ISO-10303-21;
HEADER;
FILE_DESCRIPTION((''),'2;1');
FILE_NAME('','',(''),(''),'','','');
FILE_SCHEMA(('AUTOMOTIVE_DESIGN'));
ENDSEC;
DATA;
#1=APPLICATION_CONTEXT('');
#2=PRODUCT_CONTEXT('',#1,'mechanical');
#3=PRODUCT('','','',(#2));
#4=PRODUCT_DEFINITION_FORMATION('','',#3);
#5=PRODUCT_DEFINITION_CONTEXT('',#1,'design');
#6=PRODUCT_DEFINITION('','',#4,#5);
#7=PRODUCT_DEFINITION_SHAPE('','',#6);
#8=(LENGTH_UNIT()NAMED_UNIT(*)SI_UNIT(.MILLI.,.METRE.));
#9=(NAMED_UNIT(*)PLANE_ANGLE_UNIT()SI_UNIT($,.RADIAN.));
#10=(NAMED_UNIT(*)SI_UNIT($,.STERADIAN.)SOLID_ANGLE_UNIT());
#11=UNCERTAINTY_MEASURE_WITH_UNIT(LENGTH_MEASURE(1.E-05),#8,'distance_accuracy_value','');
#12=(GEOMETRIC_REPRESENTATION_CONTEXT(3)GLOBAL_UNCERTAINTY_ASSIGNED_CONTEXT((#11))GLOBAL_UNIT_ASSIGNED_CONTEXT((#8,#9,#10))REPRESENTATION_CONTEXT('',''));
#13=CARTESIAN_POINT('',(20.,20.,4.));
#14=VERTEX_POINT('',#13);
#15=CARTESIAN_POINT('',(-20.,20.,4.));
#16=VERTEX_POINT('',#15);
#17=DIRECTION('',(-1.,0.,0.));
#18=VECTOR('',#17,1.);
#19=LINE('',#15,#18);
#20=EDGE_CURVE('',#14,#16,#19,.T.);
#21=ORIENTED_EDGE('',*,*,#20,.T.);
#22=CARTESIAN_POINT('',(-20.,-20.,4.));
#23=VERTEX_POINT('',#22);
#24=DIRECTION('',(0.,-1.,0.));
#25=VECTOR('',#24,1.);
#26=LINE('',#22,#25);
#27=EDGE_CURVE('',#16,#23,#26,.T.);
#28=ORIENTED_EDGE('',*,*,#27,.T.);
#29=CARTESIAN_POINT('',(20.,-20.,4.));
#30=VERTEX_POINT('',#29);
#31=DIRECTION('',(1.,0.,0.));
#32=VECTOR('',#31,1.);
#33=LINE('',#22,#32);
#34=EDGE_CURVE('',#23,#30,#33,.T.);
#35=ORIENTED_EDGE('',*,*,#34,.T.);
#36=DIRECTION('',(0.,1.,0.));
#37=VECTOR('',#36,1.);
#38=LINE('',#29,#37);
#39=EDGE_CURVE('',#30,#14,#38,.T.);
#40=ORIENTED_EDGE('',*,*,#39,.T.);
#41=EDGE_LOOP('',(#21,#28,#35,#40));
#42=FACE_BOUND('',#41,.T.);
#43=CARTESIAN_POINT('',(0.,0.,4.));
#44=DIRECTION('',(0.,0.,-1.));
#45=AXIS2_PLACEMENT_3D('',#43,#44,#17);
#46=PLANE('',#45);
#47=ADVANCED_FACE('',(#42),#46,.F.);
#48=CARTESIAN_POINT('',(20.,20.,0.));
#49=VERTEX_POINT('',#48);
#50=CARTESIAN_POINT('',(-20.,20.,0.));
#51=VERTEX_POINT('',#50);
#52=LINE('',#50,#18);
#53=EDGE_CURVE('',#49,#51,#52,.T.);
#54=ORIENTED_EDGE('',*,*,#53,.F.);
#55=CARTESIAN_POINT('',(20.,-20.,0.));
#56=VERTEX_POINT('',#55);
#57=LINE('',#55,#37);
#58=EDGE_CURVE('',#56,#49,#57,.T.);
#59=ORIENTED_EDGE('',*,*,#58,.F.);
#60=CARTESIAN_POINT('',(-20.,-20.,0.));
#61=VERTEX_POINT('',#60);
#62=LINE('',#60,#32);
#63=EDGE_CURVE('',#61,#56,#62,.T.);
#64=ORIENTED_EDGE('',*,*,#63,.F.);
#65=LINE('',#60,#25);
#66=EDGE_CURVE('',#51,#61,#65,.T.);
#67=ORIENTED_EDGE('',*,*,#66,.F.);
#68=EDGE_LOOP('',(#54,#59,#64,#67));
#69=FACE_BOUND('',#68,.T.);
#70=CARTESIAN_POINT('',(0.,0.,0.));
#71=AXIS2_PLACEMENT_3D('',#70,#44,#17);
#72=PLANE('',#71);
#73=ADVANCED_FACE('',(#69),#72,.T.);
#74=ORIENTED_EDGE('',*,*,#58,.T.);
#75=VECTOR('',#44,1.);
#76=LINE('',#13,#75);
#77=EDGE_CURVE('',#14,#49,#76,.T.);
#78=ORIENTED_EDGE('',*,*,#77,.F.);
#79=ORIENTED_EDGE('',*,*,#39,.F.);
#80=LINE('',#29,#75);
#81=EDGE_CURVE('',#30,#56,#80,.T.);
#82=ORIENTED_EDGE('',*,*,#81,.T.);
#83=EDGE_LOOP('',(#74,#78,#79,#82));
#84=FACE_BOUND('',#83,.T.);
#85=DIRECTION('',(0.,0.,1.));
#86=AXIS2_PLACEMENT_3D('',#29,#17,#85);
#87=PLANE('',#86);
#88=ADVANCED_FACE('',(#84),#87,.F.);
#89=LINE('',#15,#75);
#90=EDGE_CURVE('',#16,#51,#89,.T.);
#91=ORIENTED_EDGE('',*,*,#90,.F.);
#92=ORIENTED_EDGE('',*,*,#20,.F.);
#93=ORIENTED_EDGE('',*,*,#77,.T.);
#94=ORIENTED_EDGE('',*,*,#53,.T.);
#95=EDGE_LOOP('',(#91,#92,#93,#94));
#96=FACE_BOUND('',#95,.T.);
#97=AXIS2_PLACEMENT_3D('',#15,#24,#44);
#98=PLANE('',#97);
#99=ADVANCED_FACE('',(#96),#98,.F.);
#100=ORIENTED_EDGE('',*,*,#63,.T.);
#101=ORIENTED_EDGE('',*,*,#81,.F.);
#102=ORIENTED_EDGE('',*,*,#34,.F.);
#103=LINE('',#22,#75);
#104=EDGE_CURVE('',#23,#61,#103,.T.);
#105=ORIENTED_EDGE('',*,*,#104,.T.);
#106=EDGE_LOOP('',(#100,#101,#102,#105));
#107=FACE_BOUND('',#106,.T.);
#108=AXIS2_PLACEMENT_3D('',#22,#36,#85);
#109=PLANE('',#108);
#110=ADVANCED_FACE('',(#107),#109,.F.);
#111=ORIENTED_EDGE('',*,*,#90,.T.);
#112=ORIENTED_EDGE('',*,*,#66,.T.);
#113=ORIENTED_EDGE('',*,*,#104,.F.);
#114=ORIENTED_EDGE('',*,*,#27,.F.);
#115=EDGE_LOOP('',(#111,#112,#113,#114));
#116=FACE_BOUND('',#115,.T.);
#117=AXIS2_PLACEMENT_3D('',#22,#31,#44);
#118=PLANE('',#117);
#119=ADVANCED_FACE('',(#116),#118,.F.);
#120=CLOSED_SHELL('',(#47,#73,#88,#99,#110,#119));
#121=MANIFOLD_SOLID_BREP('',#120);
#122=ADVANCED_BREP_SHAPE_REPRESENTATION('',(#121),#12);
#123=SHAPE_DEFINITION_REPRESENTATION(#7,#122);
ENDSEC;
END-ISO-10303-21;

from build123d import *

# Parameters (mm, degrees)
SKETCH_1_W      = 40
SKETCH_1_H      = 40
EXTRUDE_1_DEPTH = 4


with BuildPart() as part:
    # Эскиз1 → Бобышка-Вытянуть1 (new body)
    with BuildSketch(Plane.XY):
        Rectangle(SKETCH_1_W, SKETCH_1_H)
    extrude(amount=EXTRUDE_1_DEPTH)


solid = part.part
